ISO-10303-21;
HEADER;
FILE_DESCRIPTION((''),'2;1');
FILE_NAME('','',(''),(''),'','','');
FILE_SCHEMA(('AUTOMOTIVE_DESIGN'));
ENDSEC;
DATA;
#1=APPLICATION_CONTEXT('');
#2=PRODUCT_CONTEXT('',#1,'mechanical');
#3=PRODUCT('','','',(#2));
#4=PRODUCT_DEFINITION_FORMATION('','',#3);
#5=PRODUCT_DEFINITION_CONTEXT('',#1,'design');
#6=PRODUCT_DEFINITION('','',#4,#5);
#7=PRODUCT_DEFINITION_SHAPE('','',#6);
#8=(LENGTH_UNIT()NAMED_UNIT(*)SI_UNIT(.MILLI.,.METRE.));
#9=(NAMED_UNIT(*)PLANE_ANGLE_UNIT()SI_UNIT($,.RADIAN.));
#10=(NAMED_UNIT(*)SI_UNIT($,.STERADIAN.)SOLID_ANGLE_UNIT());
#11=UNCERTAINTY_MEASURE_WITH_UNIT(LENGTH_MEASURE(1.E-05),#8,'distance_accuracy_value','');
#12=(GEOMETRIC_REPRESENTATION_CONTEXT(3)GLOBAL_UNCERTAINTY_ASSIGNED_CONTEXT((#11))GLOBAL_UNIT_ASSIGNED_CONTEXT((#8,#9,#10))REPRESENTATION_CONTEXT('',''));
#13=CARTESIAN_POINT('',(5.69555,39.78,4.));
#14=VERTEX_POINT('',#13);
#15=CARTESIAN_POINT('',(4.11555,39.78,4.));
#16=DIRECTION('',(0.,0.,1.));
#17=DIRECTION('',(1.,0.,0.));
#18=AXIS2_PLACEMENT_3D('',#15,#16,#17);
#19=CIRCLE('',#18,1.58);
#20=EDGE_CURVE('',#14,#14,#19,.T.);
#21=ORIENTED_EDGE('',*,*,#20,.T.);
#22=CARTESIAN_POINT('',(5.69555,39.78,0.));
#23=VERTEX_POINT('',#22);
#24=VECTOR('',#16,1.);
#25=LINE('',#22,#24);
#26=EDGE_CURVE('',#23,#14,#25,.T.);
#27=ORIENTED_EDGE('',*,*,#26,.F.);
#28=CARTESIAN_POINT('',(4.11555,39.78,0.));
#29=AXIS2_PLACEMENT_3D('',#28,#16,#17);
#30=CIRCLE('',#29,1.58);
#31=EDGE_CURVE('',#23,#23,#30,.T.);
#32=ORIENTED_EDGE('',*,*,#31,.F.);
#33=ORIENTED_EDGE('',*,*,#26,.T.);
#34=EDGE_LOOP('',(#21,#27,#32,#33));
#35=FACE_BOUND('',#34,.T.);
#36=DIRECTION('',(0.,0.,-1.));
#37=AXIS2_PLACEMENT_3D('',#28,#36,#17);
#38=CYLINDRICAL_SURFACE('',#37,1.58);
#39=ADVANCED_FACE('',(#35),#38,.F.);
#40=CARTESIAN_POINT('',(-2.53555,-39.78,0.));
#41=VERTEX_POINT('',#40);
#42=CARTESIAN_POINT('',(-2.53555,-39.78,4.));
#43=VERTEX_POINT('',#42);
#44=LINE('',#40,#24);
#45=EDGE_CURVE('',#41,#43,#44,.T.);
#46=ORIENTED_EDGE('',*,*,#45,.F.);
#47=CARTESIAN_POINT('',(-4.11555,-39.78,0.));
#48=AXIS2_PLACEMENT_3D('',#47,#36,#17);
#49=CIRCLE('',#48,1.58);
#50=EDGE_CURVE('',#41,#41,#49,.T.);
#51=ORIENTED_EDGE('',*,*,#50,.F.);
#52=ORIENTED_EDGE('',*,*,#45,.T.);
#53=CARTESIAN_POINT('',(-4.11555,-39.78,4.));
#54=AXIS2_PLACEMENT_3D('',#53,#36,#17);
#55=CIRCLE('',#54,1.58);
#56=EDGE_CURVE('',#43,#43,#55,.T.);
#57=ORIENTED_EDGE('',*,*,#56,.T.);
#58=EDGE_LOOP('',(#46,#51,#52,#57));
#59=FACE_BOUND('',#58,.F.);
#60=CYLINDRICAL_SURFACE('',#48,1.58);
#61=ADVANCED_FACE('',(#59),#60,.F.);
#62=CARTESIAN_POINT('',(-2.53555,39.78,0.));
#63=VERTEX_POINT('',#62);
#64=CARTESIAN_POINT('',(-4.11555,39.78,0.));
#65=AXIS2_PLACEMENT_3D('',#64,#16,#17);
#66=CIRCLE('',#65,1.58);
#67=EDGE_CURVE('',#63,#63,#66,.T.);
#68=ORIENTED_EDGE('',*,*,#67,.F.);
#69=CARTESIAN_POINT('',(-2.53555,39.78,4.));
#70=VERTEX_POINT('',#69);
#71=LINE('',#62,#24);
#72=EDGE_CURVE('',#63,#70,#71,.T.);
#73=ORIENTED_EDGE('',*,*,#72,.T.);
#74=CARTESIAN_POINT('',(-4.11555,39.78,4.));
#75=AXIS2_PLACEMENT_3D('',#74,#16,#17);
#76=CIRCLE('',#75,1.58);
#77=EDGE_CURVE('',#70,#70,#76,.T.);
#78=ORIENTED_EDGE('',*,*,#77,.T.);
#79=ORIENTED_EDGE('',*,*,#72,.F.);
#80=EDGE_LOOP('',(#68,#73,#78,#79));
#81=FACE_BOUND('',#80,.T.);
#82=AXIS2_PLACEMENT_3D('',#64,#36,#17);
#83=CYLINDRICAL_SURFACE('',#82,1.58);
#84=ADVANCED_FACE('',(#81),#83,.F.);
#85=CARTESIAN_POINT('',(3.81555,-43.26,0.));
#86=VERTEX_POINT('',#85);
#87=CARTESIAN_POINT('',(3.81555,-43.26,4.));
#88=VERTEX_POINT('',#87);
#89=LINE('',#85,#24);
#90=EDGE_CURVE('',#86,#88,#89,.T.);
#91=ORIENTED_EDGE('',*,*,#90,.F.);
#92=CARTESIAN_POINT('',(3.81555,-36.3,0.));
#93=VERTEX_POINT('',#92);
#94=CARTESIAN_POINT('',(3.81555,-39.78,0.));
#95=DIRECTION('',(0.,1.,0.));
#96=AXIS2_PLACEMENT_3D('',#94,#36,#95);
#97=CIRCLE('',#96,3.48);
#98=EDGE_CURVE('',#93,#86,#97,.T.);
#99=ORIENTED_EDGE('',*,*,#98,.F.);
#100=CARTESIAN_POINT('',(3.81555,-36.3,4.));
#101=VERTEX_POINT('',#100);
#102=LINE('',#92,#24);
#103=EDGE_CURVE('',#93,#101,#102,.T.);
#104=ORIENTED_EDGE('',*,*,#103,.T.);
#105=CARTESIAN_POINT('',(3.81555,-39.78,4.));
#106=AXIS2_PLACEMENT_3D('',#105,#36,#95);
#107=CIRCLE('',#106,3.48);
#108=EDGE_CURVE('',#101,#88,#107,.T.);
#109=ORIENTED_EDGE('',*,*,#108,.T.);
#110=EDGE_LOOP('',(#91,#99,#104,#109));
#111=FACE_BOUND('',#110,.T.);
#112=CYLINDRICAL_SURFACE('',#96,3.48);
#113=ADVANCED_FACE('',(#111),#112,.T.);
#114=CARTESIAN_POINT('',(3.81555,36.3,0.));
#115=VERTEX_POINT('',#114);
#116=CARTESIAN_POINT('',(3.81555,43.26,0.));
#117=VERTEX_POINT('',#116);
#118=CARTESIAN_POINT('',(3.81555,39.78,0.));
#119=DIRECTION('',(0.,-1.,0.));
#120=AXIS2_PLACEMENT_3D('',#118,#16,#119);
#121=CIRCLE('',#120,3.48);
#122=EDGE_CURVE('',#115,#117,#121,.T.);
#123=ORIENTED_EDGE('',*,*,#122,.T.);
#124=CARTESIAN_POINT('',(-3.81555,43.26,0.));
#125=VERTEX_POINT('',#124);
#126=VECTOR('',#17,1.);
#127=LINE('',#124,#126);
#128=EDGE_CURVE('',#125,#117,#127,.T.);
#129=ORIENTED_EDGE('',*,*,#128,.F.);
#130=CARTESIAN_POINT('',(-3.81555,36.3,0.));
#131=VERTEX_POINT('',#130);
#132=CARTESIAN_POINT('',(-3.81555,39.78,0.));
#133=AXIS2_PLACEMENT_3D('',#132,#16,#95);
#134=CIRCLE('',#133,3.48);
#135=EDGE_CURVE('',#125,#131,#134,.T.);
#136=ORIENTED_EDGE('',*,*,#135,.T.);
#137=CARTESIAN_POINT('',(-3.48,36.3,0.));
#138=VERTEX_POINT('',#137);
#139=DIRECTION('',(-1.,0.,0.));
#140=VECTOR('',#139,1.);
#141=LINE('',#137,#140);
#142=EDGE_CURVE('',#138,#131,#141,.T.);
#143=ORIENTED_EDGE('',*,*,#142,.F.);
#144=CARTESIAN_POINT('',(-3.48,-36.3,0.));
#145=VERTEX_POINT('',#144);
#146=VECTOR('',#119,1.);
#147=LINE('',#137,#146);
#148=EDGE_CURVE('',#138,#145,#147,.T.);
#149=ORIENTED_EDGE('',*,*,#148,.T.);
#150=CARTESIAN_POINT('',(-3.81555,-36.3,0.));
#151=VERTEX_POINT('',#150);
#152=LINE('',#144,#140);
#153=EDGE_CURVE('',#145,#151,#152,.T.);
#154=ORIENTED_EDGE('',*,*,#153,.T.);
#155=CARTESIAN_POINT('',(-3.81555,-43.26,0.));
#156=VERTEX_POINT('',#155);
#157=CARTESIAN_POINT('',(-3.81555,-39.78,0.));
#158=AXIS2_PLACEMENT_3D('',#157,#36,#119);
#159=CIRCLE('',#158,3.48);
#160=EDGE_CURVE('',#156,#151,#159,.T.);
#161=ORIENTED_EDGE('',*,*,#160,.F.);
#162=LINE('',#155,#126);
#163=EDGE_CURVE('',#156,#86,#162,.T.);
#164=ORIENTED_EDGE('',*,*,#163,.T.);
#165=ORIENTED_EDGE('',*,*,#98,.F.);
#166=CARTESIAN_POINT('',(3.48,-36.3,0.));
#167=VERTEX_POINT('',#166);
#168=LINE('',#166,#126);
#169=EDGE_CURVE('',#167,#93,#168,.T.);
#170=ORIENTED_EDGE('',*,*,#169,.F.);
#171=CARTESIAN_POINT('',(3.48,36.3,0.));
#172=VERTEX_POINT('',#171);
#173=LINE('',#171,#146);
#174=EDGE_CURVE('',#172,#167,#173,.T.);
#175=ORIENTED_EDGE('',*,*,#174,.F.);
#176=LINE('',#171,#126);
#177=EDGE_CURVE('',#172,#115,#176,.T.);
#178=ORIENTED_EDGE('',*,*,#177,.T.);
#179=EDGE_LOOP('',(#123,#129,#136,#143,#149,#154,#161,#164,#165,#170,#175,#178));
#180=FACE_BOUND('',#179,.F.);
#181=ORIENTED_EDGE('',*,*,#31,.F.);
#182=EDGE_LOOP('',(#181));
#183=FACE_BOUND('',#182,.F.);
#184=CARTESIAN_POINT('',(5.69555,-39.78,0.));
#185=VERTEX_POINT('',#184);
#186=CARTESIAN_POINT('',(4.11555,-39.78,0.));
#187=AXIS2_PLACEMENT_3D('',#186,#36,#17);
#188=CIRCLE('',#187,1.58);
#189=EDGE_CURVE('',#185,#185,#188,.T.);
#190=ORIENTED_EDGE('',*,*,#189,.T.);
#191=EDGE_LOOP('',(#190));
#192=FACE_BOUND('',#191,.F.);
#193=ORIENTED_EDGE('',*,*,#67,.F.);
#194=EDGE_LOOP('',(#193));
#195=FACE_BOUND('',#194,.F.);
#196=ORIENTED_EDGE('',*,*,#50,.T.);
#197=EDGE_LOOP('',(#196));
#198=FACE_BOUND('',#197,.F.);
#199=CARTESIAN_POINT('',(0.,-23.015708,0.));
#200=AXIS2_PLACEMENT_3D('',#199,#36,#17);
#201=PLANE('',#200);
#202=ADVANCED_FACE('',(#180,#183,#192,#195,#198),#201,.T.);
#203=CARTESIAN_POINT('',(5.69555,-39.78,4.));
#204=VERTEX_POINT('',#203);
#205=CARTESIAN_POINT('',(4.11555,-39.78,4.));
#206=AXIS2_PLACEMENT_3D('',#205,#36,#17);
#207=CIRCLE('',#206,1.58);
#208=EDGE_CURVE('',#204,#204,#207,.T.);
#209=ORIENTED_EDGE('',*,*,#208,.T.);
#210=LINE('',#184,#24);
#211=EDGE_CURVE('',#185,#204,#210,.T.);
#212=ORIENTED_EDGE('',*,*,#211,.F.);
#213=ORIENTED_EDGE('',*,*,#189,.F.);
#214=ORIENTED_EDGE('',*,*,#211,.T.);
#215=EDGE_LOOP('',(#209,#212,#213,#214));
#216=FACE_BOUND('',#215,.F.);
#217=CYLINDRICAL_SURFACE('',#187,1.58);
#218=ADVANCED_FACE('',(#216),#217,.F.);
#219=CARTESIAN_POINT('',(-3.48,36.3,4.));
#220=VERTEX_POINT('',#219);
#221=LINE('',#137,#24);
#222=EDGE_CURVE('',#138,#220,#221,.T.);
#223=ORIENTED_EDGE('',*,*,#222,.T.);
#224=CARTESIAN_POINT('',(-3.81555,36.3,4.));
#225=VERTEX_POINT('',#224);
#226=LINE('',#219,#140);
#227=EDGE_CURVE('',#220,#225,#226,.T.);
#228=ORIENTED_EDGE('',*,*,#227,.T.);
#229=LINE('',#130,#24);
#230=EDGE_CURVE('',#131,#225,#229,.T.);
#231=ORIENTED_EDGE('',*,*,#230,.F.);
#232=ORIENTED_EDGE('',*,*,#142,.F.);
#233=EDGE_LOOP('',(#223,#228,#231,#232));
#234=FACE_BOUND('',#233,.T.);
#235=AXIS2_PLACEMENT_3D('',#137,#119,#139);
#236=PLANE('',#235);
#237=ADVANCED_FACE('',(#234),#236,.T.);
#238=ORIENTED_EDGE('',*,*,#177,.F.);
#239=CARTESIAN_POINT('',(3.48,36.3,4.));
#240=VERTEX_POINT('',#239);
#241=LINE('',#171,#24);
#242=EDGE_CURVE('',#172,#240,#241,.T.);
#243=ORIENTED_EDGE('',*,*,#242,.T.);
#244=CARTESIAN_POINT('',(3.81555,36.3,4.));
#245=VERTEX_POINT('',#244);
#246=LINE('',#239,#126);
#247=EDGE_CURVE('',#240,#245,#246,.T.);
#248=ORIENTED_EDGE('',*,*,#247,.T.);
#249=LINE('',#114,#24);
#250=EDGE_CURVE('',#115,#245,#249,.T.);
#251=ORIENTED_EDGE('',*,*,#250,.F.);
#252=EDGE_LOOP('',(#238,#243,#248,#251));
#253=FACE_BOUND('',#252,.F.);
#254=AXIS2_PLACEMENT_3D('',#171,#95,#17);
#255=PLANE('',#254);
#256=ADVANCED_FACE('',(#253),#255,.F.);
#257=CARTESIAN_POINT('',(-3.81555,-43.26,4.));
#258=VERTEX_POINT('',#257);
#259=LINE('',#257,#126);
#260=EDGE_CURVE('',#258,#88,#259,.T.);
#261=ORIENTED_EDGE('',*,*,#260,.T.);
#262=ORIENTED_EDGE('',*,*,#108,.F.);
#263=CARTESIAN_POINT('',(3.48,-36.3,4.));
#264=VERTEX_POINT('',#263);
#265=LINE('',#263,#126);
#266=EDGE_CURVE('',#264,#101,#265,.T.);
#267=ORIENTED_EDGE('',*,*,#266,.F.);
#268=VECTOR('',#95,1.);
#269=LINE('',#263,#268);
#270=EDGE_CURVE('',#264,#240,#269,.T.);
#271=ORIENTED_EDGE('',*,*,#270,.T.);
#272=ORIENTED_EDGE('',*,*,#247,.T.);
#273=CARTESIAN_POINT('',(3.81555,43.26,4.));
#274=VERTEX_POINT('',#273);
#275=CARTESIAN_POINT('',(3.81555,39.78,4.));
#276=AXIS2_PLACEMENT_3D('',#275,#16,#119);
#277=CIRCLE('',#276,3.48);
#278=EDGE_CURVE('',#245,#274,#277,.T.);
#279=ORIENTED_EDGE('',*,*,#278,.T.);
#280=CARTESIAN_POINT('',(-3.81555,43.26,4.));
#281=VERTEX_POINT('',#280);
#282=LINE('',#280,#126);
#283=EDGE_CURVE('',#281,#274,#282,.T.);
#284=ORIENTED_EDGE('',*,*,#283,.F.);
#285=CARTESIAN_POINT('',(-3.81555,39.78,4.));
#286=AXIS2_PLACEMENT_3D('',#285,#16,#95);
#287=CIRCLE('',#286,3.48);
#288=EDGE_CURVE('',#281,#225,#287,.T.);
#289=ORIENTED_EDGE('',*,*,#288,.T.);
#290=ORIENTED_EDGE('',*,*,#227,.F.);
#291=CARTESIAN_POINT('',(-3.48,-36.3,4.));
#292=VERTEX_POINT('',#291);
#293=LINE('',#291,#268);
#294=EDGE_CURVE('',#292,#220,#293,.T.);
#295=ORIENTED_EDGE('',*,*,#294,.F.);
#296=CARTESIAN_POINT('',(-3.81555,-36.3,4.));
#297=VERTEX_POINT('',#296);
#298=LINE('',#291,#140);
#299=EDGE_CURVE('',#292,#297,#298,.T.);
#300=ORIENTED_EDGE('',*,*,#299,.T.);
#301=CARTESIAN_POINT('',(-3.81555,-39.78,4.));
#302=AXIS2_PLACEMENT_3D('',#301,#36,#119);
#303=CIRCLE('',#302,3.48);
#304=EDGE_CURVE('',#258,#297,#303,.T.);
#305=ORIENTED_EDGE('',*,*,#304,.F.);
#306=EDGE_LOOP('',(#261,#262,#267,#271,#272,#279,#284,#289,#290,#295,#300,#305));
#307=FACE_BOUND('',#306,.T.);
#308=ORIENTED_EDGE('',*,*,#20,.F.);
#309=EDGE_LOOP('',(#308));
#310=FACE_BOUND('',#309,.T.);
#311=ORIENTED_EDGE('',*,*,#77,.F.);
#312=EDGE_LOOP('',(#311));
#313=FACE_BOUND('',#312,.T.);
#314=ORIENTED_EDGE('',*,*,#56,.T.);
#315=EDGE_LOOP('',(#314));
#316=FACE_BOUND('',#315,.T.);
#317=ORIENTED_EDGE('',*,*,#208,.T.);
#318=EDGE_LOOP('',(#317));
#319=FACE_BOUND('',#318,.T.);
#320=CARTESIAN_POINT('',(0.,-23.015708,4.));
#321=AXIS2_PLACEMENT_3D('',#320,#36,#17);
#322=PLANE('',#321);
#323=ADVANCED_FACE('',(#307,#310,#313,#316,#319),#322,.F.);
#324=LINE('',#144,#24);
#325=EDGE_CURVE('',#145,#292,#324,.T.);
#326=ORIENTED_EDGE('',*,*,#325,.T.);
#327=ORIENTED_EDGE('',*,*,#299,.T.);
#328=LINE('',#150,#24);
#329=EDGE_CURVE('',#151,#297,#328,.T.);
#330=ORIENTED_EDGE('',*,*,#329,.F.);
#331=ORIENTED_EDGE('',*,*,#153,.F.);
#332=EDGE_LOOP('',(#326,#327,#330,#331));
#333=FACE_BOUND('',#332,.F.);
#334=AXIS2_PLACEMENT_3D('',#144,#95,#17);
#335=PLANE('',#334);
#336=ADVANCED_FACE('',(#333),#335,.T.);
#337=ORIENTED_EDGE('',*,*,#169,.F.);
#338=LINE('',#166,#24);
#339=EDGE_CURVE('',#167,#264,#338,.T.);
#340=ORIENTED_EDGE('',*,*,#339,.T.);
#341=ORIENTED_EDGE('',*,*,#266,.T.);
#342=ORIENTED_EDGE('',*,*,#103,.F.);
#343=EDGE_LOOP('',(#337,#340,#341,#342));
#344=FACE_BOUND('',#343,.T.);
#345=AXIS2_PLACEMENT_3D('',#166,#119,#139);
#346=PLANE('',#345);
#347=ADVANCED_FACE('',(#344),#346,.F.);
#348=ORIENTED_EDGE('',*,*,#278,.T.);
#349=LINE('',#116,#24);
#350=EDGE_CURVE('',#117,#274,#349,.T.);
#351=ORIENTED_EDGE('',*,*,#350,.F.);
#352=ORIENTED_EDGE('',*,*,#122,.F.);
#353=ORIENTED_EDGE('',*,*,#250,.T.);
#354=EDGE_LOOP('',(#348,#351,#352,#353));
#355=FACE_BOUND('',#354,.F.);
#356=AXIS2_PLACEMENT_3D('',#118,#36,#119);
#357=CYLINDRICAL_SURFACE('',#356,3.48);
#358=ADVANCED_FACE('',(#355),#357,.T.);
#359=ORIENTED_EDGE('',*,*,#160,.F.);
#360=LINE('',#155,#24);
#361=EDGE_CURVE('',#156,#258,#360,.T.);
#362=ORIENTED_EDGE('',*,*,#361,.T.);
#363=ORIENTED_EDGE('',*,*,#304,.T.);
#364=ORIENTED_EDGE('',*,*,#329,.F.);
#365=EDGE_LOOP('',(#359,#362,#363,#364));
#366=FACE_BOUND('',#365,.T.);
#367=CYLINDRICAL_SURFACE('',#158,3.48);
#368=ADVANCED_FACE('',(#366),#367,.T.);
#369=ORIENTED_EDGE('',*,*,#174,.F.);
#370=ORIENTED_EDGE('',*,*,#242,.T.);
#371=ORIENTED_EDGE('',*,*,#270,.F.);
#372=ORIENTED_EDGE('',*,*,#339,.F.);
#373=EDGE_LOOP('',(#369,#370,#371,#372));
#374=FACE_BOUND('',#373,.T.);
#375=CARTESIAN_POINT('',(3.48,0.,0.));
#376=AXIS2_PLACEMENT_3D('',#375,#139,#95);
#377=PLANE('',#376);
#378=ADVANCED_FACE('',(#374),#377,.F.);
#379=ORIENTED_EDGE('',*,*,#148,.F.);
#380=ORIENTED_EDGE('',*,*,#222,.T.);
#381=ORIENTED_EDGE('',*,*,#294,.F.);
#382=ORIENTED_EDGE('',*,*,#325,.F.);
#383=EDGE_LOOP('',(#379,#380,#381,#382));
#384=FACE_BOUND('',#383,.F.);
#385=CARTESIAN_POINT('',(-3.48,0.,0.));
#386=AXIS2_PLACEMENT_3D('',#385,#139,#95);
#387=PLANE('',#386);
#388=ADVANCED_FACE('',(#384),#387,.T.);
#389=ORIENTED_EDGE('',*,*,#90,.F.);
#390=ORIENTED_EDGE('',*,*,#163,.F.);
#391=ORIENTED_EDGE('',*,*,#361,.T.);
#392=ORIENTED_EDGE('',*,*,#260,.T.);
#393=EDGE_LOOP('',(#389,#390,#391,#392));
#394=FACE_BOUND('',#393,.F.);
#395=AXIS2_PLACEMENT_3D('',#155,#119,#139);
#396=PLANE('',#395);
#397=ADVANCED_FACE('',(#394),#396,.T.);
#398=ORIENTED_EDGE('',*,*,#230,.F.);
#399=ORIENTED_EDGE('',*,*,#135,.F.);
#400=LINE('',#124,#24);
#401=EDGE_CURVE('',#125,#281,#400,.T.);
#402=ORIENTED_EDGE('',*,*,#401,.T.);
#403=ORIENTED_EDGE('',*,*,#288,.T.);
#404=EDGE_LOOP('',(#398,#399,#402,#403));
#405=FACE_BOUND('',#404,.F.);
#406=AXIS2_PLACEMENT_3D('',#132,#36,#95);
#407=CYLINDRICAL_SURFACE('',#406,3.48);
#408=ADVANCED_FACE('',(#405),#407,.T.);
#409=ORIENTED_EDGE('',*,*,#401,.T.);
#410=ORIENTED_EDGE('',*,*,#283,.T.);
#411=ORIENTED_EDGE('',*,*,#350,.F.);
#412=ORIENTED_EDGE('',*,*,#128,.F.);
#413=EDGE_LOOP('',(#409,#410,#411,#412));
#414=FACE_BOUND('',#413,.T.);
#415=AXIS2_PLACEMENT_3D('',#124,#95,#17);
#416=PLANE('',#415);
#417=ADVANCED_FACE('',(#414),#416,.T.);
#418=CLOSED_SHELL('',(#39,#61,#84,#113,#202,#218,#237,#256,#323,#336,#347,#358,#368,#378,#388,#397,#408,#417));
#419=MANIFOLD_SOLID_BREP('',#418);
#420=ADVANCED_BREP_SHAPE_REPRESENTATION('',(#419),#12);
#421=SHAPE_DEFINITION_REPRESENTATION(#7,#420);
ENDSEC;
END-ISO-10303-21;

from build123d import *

# Parameters (mm, degrees)
SKETCH_R  = 1.58
PAD_DEPTH = 4


with BuildPart() as part:
    # Sketch → Pad (new body)
    with BuildSketch(Plane.XY):
        with BuildLine():
            Line((-3.48, 0), (-3.48, 36.3))
            Line((-3.48, 36.3), (-3.81555, 36.3))
            ThreePointArc((-3.81555, 43.26), (-7.29555, 39.78), (-3.81555, 36.3))
            Line((-3.81555, 43.26), (3.81555, 43.26))
            ThreePointArc((3.81555, 36.3), (7.29555, 39.78), (3.81555, 43.26))
            Line((3.48, 36.3), (3.81555, 36.3))
            Line((3.48, 0), (3.48, 36.3))
            Line((-3.48, 0), (3.48, 0))
        make_face()
        with Locations((-4.11555, 39.78)):
            Circle(SKETCH_R, mode=Mode.SUBTRACT)
        with Locations((4.11555, 39.78)):
            Circle(SKETCH_R, mode=Mode.SUBTRACT)
    pad = extrude(amount=PAD_DEPTH)

    # Mirrored: Pad across Sketch H_Axis
    add(pad.mirror(Plane.ZX))


solid = part.part
